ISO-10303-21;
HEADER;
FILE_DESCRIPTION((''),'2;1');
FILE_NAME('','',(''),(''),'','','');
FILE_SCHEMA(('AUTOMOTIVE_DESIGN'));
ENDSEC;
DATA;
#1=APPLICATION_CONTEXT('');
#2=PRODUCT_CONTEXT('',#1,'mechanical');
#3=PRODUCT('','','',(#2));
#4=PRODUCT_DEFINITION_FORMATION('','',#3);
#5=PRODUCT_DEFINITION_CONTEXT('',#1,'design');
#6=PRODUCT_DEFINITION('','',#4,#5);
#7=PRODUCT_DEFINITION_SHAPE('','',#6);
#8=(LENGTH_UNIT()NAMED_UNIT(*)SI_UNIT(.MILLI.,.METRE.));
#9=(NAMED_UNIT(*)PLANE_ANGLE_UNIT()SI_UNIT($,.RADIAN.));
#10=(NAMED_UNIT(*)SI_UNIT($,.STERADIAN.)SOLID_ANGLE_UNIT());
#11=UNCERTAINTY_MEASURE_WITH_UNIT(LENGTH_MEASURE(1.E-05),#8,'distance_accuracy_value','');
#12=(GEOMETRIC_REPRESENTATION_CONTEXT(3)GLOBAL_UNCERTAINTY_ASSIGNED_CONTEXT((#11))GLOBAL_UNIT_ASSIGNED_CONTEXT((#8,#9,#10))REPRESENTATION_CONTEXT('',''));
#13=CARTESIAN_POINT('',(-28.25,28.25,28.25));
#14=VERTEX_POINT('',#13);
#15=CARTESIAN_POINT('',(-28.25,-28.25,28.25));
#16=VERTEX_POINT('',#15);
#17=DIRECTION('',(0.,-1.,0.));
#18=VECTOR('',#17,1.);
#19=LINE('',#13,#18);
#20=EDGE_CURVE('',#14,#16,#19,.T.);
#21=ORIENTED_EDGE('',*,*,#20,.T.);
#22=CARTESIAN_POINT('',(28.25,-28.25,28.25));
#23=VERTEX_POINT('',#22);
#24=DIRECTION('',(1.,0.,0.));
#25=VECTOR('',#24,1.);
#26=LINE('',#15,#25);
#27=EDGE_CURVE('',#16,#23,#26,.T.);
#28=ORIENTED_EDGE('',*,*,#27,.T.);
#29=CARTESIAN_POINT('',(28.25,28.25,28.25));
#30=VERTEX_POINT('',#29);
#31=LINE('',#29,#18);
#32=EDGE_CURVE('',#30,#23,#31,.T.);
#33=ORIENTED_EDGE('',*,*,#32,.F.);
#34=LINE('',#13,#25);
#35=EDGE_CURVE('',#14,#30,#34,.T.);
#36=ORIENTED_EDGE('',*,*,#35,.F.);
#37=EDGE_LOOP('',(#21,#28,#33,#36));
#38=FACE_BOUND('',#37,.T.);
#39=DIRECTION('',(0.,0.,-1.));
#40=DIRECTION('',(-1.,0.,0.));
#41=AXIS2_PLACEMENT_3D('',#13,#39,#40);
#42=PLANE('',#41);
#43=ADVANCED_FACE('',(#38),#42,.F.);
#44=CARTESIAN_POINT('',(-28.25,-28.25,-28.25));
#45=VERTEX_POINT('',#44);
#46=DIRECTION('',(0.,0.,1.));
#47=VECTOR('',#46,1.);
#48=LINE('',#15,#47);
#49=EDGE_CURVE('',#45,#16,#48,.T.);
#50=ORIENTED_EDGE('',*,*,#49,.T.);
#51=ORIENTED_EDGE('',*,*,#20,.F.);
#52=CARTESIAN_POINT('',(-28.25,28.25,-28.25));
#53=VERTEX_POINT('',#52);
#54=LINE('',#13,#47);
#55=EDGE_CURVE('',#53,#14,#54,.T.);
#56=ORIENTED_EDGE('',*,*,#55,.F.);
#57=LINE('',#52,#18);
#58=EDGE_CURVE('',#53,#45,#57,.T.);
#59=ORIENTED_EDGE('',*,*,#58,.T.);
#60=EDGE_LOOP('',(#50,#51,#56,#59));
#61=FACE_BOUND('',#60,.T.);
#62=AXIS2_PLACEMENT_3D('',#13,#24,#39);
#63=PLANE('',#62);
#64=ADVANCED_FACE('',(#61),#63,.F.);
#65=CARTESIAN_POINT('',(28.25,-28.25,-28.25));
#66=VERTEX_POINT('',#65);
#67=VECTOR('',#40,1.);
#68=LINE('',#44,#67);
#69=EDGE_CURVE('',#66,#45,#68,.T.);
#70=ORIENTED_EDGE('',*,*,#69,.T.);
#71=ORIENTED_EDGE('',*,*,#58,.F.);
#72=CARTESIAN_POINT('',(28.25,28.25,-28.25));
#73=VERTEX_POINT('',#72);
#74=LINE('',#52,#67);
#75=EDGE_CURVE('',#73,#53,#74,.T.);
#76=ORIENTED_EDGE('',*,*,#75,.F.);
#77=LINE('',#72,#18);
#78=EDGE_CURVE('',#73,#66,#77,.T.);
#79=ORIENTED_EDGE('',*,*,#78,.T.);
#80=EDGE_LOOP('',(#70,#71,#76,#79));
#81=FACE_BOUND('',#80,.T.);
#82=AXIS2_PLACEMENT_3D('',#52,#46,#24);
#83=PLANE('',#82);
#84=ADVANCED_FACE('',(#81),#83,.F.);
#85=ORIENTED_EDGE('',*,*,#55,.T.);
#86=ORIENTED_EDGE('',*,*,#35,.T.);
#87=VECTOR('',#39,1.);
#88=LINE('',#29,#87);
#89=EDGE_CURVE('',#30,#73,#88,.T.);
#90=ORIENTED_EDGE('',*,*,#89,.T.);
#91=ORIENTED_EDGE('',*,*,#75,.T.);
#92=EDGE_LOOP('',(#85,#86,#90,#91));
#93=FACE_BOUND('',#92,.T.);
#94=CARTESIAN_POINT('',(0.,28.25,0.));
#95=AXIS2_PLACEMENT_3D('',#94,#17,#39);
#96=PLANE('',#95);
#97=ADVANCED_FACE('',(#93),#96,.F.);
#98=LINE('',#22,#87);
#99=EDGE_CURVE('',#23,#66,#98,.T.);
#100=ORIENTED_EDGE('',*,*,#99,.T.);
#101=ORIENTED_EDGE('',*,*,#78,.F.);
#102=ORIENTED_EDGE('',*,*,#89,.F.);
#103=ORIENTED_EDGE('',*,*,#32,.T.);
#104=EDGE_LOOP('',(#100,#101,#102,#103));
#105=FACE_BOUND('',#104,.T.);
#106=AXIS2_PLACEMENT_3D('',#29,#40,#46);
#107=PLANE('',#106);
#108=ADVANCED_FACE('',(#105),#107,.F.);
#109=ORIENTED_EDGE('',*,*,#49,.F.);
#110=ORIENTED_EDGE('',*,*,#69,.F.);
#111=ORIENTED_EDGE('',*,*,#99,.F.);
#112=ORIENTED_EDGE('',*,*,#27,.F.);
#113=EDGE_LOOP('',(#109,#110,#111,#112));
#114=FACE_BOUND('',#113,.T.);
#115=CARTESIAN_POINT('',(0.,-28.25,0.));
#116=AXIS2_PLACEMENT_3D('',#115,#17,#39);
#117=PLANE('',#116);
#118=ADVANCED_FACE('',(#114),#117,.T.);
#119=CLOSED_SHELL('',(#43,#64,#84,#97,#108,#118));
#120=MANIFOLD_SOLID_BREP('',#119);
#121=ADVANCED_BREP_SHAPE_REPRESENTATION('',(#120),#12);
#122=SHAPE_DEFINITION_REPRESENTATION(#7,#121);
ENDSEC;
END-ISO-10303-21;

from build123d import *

# Parameters (mm, degrees)
SKETCH1_W           = 56.5
SKETCH1_H           = 56.5
BOSS_EXTRUDE1_DEPTH = 28.25


with BuildPart() as part:
    # Sketch1 → Boss-Extrude1 (new body, symmetric)
    with BuildSketch(Plane(origin=(0, 0, 0), x_dir=(1, 0, 0), z_dir=(0, 1, 0))):
        Rectangle(SKETCH1_W, SKETCH1_H)
    extrude(amount=BOSS_EXTRUDE1_DEPTH, both=True)


solid = part.part
